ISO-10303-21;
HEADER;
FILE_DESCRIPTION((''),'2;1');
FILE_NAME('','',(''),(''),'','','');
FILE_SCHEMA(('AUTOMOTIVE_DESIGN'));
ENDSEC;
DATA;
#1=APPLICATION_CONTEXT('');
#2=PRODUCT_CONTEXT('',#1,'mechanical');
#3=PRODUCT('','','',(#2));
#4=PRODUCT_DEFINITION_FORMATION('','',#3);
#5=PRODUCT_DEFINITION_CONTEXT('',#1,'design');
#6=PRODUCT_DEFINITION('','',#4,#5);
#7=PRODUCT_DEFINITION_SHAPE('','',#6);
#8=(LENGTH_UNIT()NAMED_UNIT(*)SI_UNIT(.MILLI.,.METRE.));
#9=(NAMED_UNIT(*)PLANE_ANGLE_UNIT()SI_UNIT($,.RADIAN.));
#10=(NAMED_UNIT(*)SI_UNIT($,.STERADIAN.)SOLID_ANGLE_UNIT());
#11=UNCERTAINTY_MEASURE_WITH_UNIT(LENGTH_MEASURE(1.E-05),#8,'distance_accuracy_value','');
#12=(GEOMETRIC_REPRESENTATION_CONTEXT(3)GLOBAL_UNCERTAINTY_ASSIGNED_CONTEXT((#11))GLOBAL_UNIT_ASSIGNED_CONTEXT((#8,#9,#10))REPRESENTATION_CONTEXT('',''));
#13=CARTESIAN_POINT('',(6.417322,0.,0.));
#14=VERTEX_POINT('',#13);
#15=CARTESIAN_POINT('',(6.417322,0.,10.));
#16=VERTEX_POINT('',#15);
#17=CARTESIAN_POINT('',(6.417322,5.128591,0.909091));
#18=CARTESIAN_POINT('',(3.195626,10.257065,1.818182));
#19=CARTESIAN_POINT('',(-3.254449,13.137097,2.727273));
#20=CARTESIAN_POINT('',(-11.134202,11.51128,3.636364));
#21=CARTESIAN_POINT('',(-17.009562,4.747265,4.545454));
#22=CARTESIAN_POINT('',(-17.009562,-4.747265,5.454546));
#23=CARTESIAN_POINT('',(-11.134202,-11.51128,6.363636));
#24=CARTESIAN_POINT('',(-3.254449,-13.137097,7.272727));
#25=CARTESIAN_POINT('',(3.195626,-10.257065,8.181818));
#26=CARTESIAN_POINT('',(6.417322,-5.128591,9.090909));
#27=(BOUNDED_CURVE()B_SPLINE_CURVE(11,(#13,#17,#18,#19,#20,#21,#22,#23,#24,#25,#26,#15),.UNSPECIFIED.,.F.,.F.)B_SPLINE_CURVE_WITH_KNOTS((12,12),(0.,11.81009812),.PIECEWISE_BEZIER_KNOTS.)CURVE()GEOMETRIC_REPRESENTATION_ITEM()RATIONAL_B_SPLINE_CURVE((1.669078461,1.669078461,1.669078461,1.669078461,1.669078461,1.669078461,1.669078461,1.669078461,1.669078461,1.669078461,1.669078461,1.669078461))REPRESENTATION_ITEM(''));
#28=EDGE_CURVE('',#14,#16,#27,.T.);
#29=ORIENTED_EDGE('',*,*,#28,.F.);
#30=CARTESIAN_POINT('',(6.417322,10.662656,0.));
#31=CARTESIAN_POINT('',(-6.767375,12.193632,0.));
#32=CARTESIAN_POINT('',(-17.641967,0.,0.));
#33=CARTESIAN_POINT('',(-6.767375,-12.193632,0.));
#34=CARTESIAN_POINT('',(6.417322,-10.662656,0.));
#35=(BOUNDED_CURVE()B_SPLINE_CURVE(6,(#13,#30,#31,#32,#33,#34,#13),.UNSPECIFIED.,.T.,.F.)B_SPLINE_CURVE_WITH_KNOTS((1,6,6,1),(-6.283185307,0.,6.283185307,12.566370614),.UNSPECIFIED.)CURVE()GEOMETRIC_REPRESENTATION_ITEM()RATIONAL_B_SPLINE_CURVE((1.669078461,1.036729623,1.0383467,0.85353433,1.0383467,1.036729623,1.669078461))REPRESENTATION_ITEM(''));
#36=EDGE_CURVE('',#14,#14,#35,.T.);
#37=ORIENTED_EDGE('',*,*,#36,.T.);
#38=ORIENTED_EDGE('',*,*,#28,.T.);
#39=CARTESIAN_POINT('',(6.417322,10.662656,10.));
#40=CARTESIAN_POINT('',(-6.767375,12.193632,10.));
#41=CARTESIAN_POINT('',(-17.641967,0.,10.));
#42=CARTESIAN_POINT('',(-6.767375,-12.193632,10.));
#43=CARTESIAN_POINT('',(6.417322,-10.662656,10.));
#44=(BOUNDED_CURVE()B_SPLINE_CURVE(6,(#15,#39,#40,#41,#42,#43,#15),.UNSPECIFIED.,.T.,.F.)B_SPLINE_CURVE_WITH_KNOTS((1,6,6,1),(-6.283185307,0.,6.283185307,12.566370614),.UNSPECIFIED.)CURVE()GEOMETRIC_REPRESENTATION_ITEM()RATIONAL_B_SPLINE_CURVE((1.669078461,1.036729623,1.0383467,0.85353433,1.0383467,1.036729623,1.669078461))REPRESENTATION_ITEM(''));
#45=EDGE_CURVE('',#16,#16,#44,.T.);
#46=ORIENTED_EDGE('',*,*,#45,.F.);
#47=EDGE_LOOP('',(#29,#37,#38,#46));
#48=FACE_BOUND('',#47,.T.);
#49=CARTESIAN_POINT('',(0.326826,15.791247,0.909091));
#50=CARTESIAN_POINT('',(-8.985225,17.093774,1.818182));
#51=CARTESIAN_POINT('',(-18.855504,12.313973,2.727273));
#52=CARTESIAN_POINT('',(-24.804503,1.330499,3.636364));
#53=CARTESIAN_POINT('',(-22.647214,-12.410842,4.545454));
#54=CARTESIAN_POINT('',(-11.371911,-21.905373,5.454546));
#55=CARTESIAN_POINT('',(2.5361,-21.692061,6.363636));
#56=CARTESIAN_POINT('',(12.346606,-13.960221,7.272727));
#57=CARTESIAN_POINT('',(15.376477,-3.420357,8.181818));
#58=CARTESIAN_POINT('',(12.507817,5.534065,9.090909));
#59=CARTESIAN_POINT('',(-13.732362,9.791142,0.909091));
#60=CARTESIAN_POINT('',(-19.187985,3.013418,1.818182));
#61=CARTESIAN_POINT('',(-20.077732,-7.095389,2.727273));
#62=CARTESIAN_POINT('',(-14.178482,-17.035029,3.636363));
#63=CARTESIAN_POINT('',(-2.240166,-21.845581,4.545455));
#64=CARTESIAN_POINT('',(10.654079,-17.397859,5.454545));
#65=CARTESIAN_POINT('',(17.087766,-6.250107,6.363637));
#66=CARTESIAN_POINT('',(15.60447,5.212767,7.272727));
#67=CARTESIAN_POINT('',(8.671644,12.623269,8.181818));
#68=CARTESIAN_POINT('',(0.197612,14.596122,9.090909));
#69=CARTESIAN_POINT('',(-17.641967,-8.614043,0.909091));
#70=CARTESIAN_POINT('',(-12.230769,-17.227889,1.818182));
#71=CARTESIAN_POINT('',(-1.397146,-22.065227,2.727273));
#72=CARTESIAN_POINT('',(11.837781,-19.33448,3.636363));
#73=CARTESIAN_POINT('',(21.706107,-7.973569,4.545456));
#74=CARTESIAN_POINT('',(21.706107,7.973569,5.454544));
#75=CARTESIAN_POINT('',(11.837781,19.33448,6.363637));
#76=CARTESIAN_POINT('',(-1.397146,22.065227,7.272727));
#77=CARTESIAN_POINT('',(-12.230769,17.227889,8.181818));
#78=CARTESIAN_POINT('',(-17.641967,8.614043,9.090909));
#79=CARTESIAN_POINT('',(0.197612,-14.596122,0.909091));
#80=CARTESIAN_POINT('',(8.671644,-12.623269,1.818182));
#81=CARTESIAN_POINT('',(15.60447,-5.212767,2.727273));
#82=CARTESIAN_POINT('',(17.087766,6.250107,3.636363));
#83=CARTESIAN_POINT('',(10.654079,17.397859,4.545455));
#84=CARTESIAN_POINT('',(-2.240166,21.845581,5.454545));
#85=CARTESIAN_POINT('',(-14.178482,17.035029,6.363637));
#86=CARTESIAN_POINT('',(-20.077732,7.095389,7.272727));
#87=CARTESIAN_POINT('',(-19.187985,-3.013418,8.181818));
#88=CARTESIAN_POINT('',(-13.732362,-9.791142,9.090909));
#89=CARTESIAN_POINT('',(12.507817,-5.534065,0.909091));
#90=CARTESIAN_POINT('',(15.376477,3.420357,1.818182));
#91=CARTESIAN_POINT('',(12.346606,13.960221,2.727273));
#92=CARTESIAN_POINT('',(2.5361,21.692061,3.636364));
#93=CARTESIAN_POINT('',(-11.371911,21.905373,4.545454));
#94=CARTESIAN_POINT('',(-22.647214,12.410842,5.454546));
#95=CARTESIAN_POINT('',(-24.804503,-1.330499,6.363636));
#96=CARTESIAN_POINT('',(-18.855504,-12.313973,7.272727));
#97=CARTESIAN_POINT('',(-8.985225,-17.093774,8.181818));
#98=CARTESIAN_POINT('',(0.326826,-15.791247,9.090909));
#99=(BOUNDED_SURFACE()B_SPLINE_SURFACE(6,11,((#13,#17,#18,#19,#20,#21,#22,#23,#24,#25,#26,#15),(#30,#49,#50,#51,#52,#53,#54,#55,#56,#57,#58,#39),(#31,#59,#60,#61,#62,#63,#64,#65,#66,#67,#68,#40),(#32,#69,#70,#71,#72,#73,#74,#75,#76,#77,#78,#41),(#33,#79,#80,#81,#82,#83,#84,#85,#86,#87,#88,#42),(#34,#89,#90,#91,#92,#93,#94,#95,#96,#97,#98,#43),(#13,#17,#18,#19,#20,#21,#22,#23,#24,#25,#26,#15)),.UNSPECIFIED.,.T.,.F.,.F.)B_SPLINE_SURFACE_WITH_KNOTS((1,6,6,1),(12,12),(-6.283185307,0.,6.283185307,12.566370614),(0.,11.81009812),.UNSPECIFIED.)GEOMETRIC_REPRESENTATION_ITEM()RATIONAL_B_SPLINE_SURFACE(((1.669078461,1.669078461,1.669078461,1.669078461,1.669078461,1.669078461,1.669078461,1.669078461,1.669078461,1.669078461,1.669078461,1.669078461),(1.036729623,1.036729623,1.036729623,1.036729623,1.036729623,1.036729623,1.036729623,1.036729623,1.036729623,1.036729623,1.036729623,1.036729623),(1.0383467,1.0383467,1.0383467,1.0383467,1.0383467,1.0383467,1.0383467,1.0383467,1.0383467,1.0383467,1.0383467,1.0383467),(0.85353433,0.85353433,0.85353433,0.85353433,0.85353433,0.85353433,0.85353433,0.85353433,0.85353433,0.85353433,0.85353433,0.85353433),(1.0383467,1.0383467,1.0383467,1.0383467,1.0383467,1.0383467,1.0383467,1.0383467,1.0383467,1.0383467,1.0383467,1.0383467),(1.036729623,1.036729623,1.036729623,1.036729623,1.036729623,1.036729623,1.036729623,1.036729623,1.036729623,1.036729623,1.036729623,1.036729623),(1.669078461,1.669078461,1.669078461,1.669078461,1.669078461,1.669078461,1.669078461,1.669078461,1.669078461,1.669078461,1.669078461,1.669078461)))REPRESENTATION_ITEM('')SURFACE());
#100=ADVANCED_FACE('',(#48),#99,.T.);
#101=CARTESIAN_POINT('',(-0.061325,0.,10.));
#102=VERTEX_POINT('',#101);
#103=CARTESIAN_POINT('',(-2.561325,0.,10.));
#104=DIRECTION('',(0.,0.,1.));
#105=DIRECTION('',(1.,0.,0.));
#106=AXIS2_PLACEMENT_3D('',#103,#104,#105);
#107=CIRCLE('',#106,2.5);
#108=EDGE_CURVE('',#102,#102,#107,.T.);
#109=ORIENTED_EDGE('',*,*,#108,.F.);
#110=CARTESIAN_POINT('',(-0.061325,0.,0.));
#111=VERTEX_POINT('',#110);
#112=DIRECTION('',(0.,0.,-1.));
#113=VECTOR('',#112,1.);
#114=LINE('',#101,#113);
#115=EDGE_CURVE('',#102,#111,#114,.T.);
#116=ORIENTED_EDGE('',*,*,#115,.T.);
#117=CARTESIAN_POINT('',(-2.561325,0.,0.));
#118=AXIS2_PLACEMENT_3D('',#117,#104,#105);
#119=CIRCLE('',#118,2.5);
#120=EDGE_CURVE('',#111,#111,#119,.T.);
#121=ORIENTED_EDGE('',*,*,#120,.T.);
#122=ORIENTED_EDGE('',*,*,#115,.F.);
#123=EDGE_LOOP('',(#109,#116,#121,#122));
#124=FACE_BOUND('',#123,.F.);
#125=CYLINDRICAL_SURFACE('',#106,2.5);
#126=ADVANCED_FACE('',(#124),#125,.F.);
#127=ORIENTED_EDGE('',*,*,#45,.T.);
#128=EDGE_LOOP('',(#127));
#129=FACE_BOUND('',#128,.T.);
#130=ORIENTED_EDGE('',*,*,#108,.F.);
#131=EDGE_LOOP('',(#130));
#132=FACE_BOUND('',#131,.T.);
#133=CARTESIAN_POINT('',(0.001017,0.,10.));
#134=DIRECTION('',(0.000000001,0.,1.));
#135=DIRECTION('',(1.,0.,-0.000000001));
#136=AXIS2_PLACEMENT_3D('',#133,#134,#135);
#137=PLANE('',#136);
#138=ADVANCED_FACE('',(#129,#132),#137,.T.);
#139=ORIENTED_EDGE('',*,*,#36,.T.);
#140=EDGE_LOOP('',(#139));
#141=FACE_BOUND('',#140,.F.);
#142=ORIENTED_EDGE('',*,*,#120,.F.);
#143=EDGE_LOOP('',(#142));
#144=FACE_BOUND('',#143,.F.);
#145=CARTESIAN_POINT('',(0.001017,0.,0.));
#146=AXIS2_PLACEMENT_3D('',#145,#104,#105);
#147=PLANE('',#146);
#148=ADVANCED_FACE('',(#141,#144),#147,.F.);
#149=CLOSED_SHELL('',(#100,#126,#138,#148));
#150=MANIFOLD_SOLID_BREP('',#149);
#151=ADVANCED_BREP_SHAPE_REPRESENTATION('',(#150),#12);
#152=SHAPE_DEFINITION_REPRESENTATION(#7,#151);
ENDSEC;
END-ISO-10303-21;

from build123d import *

# Parameters (mm, degrees)
AUSTRAGUNG1_PITCH               = 10
AUSTRAGUNG1_HEIGHT              = 10
AUSTRAGUNG1_RADIUS              = 3.593389333
SKIZZE1_R                       = 6.417321625
SKIZZE5_R                       = 2.5
SCHNITT_LINEAR_AUSTRAGEN1_DEPTH = 10


with BuildPart() as part:
    # Austragung1: sweep along a helix
    with BuildLine() as austragung1_path:
        Helix(AUSTRAGUNG1_PITCH, AUSTRAGUNG1_HEIGHT, AUSTRAGUNG1_RADIUS, center=(-2.561325, 0, 0), direction=(0, 0, 1))
    # Skizze1 → Austragung1 (sweep)
    with BuildSketch(Plane.XY):
        Circle(SKIZZE1_R)
    sweep(path=austragung1_path.line, is_frenet=True)

    # Skizze5 → Schnitt-Linear austragen1 (cut)
    with BuildSketch(Plane.XY.offset(10)):
        with Locations((-2.561325, 0)):
            Circle(SKIZZE5_R)
    extrude(amount=-SCHNITT_LINEAR_AUSTRAGEN1_DEPTH, mode=Mode.SUBTRACT)


solid = part.part
